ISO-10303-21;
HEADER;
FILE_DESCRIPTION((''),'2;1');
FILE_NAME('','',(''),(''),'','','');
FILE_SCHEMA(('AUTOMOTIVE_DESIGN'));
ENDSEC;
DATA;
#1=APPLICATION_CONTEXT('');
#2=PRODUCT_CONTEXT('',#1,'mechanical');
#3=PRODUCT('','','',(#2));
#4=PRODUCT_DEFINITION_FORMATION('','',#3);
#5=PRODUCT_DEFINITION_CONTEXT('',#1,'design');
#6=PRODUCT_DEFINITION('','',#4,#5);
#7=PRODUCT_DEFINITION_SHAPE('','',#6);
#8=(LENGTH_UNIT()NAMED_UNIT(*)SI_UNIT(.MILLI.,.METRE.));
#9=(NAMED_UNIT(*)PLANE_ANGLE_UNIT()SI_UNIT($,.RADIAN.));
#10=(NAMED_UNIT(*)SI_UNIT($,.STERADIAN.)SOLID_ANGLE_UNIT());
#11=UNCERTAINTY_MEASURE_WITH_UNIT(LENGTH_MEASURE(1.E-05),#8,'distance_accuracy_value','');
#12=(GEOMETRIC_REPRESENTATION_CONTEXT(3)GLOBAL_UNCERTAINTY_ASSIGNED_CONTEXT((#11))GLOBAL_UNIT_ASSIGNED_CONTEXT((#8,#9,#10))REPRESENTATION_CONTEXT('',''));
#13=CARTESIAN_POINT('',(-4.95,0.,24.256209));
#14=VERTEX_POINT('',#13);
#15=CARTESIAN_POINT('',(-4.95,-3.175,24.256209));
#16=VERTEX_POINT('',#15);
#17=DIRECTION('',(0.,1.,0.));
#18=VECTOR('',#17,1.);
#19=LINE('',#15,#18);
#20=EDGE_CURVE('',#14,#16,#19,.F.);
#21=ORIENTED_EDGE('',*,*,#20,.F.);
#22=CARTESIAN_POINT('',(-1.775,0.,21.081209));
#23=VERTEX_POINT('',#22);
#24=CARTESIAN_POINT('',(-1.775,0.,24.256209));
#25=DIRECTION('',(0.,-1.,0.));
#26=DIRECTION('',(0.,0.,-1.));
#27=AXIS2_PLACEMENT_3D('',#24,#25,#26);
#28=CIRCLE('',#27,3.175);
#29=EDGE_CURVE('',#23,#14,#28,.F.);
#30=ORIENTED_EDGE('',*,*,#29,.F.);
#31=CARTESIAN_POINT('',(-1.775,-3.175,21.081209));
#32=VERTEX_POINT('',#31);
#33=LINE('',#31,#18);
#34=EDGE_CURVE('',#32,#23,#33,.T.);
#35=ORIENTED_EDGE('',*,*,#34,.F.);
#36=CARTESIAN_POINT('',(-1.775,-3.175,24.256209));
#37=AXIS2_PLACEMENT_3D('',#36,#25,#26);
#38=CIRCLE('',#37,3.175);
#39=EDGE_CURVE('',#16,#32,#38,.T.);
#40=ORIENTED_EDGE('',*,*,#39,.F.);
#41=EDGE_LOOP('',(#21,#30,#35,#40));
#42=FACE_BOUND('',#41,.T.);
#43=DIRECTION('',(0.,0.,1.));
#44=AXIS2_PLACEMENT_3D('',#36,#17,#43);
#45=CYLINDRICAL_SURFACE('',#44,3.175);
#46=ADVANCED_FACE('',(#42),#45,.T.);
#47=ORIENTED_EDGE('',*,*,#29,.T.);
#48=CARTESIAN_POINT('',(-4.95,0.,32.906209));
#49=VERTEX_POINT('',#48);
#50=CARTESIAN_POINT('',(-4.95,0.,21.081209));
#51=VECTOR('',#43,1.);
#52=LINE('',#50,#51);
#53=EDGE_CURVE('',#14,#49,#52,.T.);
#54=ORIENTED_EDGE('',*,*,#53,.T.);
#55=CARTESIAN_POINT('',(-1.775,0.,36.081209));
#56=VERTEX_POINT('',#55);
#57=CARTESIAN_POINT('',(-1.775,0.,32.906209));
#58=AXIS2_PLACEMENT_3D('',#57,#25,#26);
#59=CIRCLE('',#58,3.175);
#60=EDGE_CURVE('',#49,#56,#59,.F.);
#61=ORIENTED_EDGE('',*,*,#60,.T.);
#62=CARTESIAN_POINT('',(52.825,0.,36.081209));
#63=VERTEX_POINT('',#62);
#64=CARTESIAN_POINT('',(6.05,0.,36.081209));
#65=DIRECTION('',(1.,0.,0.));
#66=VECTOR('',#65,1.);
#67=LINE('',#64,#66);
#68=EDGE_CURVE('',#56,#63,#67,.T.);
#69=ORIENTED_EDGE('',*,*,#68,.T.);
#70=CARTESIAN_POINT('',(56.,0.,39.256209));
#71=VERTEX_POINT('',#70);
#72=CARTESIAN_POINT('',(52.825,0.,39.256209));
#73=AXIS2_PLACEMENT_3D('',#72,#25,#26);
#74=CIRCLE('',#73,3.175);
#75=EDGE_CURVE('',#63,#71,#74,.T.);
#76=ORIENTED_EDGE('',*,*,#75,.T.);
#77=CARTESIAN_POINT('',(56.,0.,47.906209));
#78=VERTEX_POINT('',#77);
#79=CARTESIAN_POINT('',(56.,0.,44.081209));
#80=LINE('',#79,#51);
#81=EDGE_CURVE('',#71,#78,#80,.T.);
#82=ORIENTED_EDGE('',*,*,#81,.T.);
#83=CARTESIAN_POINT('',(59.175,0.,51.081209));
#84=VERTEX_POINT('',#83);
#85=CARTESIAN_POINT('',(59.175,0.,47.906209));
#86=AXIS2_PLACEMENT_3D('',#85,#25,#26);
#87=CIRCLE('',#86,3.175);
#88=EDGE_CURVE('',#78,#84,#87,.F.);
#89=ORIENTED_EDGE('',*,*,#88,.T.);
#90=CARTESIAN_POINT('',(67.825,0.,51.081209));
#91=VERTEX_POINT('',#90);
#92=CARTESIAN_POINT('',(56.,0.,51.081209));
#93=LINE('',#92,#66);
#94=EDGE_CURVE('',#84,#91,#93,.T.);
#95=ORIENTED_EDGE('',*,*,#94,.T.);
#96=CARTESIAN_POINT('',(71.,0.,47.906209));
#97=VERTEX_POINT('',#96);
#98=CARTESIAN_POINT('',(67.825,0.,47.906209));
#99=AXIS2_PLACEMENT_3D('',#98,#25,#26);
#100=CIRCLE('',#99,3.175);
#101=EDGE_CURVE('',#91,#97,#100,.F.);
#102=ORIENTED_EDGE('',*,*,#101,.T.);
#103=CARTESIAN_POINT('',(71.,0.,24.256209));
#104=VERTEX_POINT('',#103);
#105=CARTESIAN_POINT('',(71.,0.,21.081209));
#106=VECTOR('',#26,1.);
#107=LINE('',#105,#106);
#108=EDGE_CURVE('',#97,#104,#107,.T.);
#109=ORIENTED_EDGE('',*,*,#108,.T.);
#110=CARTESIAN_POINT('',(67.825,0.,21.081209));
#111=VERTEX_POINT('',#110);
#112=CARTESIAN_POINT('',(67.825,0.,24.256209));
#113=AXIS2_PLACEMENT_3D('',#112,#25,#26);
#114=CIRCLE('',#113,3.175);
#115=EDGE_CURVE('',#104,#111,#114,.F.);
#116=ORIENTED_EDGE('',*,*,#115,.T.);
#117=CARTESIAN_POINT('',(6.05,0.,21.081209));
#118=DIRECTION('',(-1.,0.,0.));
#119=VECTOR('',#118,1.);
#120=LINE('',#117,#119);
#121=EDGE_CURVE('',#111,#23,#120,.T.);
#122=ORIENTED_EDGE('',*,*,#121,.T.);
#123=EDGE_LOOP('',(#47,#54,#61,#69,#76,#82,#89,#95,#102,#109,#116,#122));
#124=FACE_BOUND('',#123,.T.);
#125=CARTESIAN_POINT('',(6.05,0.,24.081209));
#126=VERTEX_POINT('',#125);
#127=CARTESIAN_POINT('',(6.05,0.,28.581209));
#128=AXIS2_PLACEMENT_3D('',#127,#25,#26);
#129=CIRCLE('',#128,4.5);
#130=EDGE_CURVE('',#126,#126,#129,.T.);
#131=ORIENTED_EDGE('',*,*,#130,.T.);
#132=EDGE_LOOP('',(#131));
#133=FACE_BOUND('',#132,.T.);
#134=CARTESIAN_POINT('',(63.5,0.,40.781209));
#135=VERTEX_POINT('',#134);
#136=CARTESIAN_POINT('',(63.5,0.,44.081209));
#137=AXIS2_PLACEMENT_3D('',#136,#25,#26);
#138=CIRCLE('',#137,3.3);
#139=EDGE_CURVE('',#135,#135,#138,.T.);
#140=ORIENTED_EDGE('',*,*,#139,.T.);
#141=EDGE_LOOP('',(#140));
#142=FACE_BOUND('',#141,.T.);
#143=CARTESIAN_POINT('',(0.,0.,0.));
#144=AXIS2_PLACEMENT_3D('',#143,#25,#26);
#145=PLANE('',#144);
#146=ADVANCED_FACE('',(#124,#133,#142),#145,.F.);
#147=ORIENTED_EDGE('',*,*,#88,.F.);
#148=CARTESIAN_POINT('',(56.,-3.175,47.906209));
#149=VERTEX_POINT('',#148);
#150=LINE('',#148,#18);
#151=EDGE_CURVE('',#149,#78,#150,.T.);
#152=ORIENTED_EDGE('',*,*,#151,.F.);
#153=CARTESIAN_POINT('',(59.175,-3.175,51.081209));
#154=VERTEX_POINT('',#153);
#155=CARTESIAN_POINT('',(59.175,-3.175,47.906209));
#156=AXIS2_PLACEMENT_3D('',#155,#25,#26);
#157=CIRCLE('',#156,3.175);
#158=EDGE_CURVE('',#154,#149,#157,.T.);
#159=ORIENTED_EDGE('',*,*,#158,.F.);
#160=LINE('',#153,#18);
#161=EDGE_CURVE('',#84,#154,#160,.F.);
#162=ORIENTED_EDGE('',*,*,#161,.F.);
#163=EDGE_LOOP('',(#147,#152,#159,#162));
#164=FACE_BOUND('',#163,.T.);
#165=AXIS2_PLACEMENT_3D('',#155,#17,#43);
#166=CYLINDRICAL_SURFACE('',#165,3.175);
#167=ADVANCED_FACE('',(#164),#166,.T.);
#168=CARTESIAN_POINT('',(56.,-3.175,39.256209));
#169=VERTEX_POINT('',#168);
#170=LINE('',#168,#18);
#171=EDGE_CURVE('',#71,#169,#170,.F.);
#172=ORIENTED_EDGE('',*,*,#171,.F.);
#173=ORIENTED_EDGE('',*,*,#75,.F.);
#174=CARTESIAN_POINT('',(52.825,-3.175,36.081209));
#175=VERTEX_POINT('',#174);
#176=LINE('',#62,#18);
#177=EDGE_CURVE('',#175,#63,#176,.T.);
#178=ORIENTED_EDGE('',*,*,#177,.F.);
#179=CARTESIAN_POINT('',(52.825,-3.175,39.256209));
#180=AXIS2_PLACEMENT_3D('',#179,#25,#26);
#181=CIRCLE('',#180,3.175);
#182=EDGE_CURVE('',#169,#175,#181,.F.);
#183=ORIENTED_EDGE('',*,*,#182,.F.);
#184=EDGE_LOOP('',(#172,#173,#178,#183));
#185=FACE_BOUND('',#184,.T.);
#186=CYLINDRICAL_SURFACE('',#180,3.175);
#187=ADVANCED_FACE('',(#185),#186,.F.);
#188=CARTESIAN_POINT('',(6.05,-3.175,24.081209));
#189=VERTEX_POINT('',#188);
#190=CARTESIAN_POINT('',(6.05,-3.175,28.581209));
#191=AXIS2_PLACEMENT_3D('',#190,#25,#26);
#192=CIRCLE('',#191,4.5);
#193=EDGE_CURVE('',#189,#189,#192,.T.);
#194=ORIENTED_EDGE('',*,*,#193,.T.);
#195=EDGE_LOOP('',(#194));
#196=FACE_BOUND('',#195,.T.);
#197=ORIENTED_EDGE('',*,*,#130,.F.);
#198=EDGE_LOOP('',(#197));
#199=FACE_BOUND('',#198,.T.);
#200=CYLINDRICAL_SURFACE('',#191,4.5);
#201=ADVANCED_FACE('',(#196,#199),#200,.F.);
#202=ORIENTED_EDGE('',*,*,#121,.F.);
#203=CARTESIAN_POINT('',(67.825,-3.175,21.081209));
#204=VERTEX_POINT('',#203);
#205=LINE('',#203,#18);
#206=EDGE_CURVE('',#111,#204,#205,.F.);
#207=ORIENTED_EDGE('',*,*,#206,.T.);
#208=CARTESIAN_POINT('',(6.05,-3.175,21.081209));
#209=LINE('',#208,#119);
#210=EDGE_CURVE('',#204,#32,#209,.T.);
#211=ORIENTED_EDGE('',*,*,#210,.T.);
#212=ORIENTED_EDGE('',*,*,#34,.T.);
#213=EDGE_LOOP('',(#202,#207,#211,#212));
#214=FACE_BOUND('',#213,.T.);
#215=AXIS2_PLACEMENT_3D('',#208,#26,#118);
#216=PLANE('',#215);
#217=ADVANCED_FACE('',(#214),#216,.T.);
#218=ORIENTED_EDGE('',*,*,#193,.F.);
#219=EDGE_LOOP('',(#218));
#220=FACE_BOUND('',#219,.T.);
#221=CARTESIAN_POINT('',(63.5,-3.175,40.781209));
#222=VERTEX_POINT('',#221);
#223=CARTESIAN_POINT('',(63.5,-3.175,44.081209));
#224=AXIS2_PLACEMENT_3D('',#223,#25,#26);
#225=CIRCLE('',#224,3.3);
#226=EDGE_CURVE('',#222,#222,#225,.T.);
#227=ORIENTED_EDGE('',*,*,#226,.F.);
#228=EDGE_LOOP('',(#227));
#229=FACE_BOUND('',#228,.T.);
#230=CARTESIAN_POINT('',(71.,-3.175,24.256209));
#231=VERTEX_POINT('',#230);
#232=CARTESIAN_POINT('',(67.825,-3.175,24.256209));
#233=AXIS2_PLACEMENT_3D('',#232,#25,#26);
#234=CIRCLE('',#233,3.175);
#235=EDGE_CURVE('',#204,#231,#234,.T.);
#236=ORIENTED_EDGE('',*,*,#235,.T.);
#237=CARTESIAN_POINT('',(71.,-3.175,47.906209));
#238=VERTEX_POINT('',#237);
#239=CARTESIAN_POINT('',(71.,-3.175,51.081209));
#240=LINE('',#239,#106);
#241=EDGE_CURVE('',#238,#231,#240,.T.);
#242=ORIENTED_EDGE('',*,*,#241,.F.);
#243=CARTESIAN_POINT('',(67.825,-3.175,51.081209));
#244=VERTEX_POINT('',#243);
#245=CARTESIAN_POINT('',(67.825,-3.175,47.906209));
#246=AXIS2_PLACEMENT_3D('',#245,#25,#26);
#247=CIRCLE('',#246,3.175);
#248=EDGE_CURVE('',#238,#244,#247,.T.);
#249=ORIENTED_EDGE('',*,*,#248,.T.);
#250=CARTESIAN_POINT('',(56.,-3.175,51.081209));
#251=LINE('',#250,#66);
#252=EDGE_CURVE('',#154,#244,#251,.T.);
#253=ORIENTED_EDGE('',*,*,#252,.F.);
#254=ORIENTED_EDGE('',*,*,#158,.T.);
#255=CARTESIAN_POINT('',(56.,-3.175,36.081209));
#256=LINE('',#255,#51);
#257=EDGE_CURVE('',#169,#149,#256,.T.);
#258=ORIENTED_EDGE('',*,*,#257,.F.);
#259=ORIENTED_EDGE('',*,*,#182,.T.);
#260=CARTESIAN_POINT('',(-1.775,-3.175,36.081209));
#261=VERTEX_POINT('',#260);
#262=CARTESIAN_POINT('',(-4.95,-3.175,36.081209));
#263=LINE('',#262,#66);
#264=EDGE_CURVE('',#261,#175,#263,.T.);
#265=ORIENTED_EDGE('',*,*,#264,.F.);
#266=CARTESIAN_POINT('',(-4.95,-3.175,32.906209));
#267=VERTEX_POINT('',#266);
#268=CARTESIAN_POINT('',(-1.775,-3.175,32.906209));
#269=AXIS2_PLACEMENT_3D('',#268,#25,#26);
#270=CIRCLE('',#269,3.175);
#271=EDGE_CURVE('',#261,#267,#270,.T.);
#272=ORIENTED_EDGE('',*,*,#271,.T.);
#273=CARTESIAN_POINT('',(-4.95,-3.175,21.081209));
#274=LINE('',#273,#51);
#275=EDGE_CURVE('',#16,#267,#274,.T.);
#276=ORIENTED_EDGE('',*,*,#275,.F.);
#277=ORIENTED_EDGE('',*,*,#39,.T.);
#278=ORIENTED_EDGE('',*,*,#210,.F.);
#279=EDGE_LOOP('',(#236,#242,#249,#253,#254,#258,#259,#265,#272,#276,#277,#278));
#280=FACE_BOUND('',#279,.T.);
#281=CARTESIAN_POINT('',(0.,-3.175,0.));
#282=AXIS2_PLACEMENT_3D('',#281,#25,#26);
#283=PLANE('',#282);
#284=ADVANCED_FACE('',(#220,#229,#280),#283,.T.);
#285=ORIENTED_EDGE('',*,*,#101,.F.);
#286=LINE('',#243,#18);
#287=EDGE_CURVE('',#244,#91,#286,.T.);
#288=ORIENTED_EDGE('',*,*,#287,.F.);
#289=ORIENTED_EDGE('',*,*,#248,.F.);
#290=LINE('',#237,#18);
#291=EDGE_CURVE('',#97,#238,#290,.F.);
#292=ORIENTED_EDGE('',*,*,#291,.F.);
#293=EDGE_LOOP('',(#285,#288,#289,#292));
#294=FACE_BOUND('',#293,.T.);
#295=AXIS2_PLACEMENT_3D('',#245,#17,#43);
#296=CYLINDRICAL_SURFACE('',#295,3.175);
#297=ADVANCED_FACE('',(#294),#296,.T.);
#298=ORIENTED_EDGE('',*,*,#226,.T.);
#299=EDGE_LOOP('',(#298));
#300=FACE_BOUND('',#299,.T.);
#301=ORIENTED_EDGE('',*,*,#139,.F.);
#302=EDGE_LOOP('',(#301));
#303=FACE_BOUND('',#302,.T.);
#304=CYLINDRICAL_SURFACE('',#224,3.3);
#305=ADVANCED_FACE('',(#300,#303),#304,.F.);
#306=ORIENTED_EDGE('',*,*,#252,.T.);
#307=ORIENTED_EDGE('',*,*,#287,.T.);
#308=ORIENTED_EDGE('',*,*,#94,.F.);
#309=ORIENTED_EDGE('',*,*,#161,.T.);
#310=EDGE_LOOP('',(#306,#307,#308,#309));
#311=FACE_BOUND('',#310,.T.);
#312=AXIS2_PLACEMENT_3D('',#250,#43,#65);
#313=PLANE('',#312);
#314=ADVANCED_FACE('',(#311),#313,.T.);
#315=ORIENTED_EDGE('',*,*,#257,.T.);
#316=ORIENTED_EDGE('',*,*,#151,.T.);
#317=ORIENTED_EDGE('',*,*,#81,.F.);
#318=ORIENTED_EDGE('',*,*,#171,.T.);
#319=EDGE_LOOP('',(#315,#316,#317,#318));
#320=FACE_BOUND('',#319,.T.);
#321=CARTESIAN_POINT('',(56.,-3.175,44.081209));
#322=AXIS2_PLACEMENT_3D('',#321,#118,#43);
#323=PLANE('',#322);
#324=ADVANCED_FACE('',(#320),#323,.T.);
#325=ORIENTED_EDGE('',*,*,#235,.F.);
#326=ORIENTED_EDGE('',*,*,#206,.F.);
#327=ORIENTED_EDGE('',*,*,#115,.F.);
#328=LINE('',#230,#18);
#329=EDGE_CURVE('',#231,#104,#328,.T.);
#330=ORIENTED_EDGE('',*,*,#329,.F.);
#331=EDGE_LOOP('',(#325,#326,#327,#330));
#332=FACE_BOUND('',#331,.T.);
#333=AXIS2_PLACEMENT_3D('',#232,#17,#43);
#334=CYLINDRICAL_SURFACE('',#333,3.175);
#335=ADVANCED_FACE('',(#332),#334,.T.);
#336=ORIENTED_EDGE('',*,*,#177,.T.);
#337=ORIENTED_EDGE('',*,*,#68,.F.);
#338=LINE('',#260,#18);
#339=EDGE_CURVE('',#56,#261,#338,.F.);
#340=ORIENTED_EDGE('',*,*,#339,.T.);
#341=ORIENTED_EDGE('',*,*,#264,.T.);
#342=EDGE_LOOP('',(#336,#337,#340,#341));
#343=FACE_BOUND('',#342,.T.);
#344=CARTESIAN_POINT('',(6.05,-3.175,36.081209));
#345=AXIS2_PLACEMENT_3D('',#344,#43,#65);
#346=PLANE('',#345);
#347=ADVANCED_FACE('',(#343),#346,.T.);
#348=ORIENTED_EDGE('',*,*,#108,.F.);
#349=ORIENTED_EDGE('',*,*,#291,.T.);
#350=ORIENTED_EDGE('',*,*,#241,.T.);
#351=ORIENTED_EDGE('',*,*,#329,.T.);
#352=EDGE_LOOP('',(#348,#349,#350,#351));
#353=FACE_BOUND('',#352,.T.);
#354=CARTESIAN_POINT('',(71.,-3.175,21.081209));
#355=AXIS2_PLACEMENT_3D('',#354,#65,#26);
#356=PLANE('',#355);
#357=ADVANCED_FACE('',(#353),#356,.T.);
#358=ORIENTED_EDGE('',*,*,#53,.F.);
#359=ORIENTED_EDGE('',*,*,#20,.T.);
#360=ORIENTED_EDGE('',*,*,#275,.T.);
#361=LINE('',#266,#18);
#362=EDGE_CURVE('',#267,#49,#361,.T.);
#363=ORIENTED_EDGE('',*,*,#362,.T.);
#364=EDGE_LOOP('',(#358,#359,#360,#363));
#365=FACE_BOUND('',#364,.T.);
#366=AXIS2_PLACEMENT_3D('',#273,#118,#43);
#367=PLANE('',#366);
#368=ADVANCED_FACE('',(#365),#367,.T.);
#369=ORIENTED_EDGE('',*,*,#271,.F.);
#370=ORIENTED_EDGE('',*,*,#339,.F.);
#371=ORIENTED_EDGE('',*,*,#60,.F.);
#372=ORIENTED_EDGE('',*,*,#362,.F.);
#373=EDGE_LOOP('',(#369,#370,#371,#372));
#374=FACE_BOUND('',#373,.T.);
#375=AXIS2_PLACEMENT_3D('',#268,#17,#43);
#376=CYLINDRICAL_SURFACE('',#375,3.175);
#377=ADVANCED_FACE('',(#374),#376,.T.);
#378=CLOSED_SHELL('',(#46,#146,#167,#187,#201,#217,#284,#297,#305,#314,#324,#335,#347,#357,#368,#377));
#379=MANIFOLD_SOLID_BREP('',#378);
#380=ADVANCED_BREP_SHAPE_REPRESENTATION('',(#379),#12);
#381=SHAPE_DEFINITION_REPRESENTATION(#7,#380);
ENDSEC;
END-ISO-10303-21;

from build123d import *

# Parameters (mm, degrees)
BOSS_EXTRUDE1_DEPTH  = 3.175
M8_CLEARANCE_HOLE1_D = 9
M6_CLEARANCE_HOLE1_D = 6.6
FILLET1_R            = 3.175


with BuildPart() as part:
    # Sketch1 → Boss-Extrude1 (new body)
    with BuildSketch(Plane(origin=(0, 0, 0), x_dir=(1, 0, 0), z_dir=(0, 1, 0))):
        Polygon((6.05, -36.0812086), (56, -36.0812086), (56, -44.0812086), (56, -51.0812086), (71, -51.0812086), (71, -44.0812086), (71, -21.0812086), (6.05, -21.0812086), (-4.95, -21.0812086), (-4.95, -36.0812086), align=None)
    extrude(amount=-BOSS_EXTRUDE1_DEPTH)

    # M8 Clearance Hole1 (through all)
    with Locations(Plane(origin=(0, -3.175, 0), x_dir=(-1, 0, 0), z_dir=(0, -1, 0))):
        with Locations((-6.05, -28.5812086)):
            Hole(M8_CLEARANCE_HOLE1_D / 2)

    # M6 Clearance Hole1 (through all)
    with Locations(Plane(origin=(0, -3.175, 0), x_dir=(-1, 0, 0), z_dir=(0, -1, 0))):
        with Locations((-63.5, -44.0812086)):
            Hole(M6_CLEARANCE_HOLE1_D / 2)

    # Fillet1
    fillet1_edges = [part.edges().sort_by_distance(p)[0] for p in [
        (71, -1.5875, 51.0812086),
        (56, -1.5875, 51.0812086),
        (56, -1.5875, 36.0812086),
        (-4.95, -1.5875, 36.0812086),
        (-4.95, -1.5875, 21.0812086),
        (71, -1.5875, 21.0812086),
    ]]
    fillet(fillet1_edges, radius=FILLET1_R)


solid = part.part
